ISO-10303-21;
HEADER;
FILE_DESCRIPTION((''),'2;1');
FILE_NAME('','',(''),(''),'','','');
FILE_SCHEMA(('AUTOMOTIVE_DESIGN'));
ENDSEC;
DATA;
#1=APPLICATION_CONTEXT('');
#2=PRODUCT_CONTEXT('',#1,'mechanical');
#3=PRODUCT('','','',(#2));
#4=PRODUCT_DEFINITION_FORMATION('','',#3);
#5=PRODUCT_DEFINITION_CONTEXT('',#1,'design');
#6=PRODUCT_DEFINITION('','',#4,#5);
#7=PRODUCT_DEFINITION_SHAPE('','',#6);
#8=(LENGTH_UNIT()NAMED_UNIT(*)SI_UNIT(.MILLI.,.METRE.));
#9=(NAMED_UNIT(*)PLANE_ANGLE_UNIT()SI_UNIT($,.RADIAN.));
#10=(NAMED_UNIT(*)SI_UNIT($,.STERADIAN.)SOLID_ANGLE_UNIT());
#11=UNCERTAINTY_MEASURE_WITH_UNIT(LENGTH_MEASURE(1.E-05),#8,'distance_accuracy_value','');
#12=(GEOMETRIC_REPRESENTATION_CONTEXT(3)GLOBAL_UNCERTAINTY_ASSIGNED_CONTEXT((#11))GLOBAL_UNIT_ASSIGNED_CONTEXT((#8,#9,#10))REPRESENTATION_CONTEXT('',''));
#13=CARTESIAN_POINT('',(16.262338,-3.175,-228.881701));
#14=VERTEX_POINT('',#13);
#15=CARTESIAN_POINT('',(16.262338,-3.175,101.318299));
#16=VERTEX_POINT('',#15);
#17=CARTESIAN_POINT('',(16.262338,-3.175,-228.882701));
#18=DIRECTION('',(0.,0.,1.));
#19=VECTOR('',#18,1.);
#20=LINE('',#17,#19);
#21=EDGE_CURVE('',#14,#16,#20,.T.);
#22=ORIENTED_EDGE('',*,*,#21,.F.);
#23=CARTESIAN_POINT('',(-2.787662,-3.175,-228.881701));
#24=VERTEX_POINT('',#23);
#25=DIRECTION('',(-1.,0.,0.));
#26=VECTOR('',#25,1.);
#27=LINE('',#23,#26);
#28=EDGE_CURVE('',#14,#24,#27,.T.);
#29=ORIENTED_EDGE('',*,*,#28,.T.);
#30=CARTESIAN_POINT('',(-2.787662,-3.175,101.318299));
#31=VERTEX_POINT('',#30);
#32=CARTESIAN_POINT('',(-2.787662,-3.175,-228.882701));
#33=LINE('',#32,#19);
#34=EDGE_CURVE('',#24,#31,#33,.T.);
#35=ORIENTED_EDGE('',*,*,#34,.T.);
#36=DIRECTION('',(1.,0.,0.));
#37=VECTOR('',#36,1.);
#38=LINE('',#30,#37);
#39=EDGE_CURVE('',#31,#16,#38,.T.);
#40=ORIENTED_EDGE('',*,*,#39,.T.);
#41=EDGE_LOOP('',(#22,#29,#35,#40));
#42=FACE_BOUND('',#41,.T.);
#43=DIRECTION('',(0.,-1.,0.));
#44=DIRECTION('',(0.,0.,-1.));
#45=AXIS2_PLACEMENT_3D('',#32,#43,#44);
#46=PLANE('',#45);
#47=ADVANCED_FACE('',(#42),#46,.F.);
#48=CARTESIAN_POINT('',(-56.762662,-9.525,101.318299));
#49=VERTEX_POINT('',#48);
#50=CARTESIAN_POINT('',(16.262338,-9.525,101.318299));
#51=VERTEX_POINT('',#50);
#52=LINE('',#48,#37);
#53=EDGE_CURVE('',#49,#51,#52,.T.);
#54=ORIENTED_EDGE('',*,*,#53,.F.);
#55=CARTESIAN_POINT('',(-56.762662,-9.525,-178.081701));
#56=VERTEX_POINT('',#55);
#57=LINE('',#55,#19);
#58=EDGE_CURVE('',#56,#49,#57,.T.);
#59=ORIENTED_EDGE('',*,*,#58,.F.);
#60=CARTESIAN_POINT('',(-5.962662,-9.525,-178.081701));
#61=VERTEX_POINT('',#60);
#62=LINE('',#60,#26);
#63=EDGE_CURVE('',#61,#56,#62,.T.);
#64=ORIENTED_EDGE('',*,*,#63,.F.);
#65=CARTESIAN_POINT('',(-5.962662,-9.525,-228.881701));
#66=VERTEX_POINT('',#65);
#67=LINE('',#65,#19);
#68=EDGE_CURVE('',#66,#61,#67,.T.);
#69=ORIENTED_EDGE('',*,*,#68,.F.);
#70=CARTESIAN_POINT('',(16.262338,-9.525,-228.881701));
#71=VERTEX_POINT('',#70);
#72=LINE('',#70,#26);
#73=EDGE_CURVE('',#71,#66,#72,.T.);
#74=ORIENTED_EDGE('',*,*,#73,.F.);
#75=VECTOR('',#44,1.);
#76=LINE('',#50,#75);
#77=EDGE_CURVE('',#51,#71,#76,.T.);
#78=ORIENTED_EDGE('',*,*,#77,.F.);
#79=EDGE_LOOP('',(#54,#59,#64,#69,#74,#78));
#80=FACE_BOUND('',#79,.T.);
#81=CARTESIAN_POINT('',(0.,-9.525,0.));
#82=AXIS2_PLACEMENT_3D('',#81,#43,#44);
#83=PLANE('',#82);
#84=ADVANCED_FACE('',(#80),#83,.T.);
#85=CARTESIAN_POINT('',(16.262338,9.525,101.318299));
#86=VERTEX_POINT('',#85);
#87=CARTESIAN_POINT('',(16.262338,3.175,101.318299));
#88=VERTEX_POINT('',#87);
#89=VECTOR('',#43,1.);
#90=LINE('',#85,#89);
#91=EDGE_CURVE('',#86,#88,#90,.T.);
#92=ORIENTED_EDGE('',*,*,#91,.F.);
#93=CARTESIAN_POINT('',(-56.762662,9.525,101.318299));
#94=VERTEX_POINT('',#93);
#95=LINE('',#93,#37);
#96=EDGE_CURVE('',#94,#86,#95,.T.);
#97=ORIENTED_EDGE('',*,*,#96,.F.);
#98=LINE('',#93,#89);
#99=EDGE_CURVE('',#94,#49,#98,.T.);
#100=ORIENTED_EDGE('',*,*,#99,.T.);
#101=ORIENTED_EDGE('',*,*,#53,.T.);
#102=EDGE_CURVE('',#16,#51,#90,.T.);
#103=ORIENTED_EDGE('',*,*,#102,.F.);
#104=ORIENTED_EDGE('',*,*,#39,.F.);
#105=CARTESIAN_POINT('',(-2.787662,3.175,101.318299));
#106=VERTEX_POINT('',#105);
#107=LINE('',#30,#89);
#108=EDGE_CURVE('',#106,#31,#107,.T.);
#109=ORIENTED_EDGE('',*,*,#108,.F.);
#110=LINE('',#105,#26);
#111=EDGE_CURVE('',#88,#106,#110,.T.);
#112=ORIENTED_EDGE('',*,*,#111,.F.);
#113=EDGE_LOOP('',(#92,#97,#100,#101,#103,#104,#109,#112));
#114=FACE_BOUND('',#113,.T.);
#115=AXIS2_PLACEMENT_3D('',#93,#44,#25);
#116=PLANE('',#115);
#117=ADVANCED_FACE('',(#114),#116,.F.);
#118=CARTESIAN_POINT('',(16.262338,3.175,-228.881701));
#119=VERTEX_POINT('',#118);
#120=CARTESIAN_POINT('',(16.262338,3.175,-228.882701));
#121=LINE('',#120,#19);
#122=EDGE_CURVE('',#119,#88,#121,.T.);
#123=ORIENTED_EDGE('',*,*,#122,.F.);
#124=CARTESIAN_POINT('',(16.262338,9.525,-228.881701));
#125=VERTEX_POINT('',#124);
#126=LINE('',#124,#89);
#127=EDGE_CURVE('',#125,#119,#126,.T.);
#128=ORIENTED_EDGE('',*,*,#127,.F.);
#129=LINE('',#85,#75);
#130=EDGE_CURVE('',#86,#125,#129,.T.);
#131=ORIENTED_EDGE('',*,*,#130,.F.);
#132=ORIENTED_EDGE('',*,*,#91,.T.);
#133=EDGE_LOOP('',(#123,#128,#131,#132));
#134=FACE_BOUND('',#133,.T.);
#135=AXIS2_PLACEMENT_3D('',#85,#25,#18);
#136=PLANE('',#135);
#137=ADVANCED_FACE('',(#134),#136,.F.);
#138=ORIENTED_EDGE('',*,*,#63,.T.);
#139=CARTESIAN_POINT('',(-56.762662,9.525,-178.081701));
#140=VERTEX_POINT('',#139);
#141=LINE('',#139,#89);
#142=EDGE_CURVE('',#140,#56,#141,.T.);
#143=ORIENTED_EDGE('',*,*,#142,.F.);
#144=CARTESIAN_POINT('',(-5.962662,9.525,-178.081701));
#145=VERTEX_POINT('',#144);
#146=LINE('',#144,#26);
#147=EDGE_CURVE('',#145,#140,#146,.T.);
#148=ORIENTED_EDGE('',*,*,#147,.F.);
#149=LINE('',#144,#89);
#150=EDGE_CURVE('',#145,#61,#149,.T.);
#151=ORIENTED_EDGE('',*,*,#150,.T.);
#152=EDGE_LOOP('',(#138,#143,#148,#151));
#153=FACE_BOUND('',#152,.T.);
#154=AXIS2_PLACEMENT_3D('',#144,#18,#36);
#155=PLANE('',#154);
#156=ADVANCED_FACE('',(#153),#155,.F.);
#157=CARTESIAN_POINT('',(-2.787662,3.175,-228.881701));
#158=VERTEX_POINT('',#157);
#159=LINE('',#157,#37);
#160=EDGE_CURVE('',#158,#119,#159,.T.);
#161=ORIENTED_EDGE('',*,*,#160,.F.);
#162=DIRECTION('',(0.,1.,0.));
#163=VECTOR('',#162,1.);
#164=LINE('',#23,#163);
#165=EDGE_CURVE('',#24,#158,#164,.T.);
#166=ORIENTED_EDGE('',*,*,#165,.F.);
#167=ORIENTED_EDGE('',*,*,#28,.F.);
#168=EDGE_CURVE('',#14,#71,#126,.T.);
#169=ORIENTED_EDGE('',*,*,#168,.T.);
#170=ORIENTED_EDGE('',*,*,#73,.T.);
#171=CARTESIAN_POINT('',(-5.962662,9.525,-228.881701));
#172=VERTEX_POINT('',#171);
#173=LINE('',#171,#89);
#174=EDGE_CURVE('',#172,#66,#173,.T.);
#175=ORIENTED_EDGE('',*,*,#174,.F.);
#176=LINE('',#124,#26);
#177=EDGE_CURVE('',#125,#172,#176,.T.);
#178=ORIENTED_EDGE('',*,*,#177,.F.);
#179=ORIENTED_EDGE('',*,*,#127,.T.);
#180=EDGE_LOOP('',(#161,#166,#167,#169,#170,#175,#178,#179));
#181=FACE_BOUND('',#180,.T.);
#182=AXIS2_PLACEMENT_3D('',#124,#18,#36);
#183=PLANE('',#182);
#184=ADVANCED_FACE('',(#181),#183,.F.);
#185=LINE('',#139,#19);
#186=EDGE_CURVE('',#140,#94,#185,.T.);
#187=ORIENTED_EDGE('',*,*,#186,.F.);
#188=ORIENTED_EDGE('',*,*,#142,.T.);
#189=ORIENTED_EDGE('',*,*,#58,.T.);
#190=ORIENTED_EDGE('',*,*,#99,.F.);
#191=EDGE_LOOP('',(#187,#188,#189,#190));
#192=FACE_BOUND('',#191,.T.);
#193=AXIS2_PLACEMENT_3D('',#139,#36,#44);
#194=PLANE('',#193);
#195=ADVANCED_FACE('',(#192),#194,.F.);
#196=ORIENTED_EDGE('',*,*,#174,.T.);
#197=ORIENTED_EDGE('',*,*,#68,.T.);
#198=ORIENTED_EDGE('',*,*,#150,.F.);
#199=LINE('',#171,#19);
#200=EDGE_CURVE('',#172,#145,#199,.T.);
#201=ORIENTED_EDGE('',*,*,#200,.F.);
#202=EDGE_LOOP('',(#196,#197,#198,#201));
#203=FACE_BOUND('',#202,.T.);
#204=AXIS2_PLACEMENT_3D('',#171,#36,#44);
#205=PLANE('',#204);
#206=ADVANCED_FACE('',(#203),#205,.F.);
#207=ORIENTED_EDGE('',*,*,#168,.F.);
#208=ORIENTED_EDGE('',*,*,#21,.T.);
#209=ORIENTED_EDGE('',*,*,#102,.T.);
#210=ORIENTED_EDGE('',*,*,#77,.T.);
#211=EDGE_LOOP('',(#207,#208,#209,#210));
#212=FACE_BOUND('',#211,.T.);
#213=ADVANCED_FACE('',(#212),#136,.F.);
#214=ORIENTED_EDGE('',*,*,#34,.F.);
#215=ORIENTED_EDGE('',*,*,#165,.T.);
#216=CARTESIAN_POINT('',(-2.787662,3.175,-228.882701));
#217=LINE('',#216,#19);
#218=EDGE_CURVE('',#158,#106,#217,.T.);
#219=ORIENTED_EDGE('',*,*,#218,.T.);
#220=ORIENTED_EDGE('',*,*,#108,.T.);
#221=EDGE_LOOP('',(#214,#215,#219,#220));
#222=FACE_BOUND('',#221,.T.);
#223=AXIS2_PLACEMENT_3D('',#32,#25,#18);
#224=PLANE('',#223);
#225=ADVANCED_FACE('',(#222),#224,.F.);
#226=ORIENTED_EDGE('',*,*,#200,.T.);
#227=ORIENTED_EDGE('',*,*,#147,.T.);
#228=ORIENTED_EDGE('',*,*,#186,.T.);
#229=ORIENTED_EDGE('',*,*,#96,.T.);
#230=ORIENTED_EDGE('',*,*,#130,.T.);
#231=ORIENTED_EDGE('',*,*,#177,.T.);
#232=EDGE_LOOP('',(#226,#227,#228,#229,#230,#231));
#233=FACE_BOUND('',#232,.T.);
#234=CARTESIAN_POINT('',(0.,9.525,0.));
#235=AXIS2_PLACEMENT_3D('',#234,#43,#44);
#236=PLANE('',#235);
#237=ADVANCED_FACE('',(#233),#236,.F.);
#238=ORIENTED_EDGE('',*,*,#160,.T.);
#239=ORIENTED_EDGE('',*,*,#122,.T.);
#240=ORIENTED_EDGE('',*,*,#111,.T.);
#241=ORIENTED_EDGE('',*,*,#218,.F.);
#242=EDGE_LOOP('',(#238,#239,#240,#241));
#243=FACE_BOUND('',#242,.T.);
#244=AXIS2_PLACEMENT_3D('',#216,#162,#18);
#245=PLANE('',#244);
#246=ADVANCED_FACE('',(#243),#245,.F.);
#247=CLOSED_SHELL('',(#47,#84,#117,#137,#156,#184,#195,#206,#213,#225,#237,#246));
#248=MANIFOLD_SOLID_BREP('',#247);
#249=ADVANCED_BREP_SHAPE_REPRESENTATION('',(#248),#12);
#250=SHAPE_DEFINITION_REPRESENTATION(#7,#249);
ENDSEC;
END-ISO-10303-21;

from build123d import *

# Parameters (mm, degrees)
BOSS_EXTRUDE1_DEPTH = 9.525
CUT_EXTRUDE1_REACH  = 337.179
SKETCH2_W           = 19.05
SKETCH2_H           = 6.35


with BuildPart() as part:
    # Sketch1 → Boss-Extrude1 (new, symmetric)
    with BuildSketch(Plane(origin=(0, 0, 0), x_dir=(1, 0, 0), z_dir=(0, 1, 0))):
        Polygon((-56.762661738, -101.318299445), (16.262338262, -101.318299445), (16.262338262, 228.881700555), (-5.962661738, 228.881700555), (-5.962661738, 178.081700555), (-56.762661738, 178.081700555), align=None)
    extrude(amount=BOSS_EXTRUDE1_DEPTH, both=True)

    # Sketch2 → Cut-Extrude1 (cut, up to next)
    with BuildSketch(Plane.XY.offset(101.318299445), mode=Mode.PRIVATE) as cut_extrude1_sk1:
        with Locations((6.737338262, 0)):
            Rectangle(SKETCH2_W, SKETCH2_H)
    cut_extrude1_tool1 = extrude(cut_extrude1_sk1.sketch, amount=-CUT_EXTRUDE1_REACH, mode=Mode.PRIVATE) & part.part
    add(cut_extrude1_tool1.solids().sort_by_distance((6.737338, 0, 101.318299))[0], mode=Mode.SUBTRACT)


solid = part.part
